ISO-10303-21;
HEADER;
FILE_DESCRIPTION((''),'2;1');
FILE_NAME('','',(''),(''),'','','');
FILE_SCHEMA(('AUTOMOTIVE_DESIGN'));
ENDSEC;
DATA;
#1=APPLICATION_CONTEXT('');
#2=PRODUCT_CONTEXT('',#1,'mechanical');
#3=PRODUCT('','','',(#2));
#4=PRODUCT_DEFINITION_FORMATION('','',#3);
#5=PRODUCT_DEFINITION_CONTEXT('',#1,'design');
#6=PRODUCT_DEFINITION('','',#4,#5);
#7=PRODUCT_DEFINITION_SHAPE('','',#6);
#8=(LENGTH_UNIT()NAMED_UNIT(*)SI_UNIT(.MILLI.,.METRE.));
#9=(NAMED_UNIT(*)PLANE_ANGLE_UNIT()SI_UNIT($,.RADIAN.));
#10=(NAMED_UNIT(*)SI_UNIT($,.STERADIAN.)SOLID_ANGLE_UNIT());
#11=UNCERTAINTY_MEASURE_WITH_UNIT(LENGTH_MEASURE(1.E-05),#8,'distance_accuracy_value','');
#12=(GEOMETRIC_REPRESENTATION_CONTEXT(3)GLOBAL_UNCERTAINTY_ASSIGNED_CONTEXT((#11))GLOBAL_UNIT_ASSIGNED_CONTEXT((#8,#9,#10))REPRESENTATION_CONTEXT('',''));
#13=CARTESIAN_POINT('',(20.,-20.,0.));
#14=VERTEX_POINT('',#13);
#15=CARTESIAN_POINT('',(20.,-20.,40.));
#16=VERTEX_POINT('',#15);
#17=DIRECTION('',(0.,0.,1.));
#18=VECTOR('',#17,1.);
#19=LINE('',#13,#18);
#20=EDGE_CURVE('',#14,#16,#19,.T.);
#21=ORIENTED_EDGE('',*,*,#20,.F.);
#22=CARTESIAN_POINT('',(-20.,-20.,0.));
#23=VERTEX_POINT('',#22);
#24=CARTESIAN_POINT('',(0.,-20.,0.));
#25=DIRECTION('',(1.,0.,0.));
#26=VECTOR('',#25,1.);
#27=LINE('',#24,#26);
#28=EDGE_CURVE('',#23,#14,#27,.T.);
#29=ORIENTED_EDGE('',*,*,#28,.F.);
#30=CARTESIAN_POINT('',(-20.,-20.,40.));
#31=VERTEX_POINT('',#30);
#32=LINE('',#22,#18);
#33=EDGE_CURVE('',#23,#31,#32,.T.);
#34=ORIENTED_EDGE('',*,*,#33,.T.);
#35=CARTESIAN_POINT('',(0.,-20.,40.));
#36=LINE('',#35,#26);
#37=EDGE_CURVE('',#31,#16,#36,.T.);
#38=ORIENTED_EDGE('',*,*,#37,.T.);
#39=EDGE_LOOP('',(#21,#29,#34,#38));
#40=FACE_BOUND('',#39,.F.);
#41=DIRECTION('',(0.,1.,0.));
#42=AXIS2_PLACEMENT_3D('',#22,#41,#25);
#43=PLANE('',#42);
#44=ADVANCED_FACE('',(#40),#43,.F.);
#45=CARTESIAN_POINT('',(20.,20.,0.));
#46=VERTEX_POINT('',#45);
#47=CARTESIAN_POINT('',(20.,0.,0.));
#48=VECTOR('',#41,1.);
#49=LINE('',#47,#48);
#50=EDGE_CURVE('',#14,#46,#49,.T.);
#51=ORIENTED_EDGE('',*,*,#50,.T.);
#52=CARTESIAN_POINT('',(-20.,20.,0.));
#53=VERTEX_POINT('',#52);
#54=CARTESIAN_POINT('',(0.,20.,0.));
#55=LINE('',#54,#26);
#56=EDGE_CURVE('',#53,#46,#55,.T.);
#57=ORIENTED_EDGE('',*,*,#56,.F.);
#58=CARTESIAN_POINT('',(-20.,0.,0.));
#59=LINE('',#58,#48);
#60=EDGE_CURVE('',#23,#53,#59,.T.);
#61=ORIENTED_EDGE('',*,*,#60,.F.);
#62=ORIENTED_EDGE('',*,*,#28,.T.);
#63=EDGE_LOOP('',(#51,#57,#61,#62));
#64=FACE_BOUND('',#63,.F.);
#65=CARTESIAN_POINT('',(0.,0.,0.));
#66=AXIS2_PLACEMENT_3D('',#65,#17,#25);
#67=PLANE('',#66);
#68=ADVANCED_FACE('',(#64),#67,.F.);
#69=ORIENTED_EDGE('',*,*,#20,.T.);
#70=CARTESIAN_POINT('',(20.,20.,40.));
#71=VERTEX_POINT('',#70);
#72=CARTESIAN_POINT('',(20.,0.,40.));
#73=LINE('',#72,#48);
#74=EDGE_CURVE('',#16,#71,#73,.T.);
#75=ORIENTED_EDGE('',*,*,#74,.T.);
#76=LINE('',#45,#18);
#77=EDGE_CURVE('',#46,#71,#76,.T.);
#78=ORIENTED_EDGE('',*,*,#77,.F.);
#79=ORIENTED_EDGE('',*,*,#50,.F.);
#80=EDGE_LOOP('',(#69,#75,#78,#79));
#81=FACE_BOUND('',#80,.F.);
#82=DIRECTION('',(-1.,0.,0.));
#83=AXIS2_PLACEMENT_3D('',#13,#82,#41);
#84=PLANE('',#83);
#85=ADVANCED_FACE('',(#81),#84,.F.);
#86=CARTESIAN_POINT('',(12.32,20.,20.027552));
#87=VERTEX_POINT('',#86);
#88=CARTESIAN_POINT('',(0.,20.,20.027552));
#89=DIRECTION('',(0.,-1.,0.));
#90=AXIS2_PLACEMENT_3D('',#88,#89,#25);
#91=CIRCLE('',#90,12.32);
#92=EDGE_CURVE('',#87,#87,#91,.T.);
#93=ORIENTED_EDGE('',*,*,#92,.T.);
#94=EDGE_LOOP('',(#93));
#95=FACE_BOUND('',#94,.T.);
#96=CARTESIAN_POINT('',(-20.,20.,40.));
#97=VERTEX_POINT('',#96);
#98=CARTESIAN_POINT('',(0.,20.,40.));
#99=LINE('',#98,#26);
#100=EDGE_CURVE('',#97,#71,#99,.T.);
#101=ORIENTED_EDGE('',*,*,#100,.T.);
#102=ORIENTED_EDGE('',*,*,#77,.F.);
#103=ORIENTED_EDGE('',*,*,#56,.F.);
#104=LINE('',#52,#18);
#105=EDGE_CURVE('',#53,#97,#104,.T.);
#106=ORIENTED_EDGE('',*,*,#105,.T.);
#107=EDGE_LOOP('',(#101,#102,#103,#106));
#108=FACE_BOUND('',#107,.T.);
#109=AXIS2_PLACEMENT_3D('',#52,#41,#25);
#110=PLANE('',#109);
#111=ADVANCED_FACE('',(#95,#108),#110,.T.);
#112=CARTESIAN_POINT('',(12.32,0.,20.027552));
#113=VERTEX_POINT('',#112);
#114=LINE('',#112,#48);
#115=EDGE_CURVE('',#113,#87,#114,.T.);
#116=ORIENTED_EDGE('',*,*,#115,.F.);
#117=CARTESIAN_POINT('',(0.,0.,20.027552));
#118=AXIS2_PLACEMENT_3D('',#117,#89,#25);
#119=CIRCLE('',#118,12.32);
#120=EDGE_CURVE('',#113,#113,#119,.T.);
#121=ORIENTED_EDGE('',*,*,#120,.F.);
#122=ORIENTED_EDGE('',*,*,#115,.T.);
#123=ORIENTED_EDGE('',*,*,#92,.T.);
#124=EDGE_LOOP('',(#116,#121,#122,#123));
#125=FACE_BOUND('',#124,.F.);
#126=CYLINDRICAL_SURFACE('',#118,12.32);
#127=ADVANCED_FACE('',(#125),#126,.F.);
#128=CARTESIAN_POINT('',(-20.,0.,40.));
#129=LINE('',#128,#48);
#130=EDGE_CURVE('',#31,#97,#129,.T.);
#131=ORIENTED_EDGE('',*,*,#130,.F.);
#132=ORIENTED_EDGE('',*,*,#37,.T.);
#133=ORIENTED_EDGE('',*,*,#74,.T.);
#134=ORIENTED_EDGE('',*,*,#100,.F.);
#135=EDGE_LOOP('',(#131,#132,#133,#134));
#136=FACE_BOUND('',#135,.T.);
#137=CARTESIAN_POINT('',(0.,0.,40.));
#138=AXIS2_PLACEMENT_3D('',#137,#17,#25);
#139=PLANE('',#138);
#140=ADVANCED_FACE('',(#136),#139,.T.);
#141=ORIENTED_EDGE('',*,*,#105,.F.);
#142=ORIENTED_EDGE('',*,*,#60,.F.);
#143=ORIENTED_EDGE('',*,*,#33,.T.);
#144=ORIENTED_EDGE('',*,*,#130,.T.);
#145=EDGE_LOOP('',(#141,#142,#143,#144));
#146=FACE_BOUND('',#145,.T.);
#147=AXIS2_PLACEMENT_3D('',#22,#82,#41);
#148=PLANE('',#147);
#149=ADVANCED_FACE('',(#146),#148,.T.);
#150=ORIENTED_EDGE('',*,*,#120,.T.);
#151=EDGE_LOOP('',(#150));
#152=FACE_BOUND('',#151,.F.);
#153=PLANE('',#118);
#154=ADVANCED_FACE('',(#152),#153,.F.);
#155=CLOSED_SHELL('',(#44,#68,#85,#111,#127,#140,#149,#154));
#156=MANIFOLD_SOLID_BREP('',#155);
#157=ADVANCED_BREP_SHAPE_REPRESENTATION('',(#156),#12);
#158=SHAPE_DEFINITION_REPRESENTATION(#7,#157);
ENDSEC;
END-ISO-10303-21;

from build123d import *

# Parameters (mm, degrees)
F0_W     = 40
F0_H     = 40
F1_DEPTH = 40
F2_R     = 12.32
F3_DEPTH = 20


with BuildPart() as f1:
    # F0 (on Top) → F1 (new body)
    with BuildSketch(Plane.XY):
        Rectangle(F0_W, F0_H)
    extrude(amount=F1_DEPTH)

    # F2 (on Front) → F3 (cut)
    with BuildSketch(Plane.XZ):
        with Locations((0, 20.027552)):
            Circle(F2_R)
    extrude(amount=-F3_DEPTH, mode=Mode.SUBTRACT)


solid = f1.part
